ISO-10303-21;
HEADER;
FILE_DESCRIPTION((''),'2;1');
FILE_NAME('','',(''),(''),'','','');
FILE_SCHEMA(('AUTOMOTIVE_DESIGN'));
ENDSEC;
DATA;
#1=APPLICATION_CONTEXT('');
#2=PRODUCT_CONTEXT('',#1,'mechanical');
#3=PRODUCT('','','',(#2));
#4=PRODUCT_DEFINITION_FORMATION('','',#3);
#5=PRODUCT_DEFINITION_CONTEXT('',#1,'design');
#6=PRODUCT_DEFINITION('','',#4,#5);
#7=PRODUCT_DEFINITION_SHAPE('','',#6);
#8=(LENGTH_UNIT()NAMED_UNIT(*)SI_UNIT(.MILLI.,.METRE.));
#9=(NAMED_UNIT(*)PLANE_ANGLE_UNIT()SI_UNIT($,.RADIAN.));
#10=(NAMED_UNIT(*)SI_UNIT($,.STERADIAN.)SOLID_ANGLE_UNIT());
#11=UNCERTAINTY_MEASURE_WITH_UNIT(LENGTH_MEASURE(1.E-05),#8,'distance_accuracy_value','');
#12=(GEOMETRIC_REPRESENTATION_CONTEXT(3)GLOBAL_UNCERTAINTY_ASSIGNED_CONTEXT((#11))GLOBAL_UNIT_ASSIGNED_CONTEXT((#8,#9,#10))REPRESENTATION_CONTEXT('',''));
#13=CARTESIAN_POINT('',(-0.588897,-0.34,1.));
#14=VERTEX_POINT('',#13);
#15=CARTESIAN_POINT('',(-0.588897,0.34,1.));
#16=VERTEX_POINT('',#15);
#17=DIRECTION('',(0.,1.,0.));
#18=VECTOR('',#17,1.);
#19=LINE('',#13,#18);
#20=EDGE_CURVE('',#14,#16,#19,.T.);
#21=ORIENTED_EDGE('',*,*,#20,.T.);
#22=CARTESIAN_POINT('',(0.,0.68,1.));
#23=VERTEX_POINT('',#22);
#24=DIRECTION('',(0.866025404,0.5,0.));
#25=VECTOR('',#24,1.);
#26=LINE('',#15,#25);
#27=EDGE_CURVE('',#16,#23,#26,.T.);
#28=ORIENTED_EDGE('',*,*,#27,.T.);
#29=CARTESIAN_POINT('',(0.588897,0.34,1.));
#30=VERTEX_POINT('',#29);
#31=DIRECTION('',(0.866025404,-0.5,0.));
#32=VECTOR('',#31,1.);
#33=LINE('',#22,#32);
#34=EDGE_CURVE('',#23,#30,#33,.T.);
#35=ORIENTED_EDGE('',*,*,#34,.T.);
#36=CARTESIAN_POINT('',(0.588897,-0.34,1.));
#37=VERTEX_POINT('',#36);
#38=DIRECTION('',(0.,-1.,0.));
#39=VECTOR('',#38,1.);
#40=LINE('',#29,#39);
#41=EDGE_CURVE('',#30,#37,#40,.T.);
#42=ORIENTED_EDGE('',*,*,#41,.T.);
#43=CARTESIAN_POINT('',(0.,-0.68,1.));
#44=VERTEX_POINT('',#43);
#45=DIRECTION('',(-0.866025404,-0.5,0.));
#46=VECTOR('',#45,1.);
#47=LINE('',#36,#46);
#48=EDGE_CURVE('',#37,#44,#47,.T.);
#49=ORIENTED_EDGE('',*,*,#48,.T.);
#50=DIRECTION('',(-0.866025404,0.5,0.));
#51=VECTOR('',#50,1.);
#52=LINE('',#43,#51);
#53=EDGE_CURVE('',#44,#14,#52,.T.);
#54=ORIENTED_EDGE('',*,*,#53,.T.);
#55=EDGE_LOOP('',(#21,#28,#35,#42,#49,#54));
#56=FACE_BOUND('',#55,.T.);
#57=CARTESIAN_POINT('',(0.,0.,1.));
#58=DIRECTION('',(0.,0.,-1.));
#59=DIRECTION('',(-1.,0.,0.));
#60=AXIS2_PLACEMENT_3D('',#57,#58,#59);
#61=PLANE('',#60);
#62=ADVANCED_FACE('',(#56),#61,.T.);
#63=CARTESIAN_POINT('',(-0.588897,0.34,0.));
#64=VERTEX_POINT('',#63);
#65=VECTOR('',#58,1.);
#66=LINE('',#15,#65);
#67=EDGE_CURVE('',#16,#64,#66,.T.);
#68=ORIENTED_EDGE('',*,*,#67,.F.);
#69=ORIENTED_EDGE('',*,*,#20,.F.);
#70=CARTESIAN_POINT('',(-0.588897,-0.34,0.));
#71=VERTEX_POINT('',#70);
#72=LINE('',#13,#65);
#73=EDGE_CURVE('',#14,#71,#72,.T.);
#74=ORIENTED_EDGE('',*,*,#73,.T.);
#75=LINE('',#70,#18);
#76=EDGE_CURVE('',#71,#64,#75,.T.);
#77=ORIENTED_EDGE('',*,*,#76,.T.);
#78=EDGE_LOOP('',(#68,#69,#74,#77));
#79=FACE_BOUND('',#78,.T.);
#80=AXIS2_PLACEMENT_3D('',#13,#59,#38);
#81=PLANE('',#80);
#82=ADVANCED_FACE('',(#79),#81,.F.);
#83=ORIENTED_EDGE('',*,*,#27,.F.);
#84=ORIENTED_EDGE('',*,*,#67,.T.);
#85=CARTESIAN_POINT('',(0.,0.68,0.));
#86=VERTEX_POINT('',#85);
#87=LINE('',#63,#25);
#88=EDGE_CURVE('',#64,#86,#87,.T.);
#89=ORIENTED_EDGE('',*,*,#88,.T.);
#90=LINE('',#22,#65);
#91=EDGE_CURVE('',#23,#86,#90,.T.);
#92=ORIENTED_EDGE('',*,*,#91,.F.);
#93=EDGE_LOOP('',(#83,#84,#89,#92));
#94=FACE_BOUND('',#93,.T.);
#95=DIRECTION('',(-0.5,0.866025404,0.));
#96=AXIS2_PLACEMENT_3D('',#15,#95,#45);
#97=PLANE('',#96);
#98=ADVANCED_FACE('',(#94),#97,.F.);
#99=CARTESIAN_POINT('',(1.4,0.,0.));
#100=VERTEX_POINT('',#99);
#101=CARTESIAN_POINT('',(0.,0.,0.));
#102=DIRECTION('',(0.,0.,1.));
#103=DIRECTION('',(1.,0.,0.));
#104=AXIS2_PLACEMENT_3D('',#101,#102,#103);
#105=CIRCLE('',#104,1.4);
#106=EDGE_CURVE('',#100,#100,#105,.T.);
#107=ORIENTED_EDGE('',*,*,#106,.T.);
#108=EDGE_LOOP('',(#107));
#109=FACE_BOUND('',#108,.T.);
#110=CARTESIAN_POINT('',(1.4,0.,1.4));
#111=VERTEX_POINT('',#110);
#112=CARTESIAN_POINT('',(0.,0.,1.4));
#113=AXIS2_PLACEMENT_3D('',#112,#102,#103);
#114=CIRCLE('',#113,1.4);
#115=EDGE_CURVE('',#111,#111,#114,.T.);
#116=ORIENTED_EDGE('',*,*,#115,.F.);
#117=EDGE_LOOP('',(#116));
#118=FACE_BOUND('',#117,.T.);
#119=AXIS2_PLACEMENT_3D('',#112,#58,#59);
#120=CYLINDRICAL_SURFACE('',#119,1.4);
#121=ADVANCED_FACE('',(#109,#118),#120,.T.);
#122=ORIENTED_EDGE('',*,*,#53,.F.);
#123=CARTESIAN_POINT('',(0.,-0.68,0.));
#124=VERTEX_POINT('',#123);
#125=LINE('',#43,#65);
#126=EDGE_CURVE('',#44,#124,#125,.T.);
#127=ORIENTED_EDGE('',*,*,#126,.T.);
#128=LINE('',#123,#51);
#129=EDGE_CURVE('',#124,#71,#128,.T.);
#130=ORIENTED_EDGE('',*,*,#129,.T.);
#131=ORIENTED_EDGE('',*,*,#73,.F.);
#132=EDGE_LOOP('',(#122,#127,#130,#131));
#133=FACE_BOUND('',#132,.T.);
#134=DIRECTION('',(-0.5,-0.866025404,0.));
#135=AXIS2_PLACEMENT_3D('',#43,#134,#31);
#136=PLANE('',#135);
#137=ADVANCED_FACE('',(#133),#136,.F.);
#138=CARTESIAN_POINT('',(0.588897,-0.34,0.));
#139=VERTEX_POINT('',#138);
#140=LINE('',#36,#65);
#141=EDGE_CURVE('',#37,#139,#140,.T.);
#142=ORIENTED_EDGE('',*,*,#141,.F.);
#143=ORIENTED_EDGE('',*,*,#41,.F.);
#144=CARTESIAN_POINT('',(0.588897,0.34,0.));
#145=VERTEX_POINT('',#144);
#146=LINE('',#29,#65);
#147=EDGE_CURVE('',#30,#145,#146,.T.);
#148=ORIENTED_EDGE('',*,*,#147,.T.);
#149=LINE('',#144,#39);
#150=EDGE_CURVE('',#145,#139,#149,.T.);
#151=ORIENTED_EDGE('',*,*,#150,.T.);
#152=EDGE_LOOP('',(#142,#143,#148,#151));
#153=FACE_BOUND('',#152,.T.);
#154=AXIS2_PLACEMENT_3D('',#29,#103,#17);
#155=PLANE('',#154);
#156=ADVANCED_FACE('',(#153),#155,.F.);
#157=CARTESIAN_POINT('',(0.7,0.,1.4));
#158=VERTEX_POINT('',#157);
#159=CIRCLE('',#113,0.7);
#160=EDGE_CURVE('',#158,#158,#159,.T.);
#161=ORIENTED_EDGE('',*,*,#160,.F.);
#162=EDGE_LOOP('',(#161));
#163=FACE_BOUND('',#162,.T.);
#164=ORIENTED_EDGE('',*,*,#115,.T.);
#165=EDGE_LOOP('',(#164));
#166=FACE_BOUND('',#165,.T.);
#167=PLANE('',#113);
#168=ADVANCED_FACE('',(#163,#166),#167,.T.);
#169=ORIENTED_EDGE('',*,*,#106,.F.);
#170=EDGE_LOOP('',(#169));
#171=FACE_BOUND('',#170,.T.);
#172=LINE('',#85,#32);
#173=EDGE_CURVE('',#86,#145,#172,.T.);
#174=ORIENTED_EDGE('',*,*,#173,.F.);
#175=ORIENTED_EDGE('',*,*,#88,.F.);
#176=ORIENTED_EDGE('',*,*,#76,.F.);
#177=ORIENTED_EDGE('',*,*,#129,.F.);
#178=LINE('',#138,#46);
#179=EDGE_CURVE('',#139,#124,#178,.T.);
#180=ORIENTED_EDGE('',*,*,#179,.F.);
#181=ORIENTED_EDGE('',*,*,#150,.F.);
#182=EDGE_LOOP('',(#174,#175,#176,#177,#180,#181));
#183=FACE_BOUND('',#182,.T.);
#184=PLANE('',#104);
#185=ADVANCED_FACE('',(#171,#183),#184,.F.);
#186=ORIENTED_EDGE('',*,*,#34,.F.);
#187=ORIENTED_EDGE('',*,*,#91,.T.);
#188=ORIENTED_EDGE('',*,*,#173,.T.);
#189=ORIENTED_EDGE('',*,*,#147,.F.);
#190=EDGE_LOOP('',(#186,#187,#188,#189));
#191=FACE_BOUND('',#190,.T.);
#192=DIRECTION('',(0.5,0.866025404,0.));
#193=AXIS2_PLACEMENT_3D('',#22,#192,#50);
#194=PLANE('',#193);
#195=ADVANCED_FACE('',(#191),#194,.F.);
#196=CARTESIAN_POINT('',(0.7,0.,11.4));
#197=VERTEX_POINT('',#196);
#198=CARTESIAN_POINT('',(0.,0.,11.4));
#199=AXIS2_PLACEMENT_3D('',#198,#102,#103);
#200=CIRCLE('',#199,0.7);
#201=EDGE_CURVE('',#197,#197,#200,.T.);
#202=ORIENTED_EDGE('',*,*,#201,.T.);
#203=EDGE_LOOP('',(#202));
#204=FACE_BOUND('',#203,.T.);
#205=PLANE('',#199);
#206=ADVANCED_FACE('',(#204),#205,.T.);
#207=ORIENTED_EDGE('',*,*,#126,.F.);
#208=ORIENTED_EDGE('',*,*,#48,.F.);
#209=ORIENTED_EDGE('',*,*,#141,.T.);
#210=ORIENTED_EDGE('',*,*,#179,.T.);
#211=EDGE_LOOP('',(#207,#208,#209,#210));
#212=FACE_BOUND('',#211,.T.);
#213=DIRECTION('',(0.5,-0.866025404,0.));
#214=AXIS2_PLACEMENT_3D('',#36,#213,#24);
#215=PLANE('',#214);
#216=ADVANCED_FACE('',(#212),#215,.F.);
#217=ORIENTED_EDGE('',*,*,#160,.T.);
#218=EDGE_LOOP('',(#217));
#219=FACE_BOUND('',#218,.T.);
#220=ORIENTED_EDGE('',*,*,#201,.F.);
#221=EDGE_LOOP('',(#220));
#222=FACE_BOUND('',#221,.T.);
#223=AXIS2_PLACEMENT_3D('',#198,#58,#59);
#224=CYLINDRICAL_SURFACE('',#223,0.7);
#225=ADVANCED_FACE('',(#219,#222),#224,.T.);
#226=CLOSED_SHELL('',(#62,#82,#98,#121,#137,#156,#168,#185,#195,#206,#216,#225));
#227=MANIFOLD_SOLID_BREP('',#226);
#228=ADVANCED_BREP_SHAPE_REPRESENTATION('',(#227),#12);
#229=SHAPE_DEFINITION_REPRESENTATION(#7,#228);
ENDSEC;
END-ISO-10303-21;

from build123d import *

# Parameters (mm, degrees)
SKETCH_1_R          = 1.4
EXTRUDE_1_DEPTH     = 1.4
SKETCH_2_R          = 0.7
EXTRUDE_2_DEPTH     = 10
CUT_EXTRUDE_1_DEPTH = 1


with BuildPart() as part:
    # 草图1 → 凸台-拉伸1 (new body)
    with BuildSketch(Plane.XY):
        Circle(SKETCH_1_R)
    extrude(amount=EXTRUDE_1_DEPTH)

    # 草图2 → 凸台-拉伸2 (add)
    with BuildSketch(Plane.XY.offset(1.4)):
        Circle(SKETCH_2_R)
    extrude(amount=EXTRUDE_2_DEPTH)

    # 草图3 → 切除-拉伸1 (cut)
    with BuildSketch(Plane(origin=(0, 0, 0), x_dir=(-1, 0, 0), z_dir=(0, 0, -1))):
        Polygon((0, 0.68), (-0.588897275, 0.34), (-0.588897275, -0.34), (0, -0.68), (0.588897275, -0.34), (0.588897275, 0.34), align=None)
    extrude(amount=-CUT_EXTRUDE_1_DEPTH, mode=Mode.SUBTRACT)


solid = part.part
